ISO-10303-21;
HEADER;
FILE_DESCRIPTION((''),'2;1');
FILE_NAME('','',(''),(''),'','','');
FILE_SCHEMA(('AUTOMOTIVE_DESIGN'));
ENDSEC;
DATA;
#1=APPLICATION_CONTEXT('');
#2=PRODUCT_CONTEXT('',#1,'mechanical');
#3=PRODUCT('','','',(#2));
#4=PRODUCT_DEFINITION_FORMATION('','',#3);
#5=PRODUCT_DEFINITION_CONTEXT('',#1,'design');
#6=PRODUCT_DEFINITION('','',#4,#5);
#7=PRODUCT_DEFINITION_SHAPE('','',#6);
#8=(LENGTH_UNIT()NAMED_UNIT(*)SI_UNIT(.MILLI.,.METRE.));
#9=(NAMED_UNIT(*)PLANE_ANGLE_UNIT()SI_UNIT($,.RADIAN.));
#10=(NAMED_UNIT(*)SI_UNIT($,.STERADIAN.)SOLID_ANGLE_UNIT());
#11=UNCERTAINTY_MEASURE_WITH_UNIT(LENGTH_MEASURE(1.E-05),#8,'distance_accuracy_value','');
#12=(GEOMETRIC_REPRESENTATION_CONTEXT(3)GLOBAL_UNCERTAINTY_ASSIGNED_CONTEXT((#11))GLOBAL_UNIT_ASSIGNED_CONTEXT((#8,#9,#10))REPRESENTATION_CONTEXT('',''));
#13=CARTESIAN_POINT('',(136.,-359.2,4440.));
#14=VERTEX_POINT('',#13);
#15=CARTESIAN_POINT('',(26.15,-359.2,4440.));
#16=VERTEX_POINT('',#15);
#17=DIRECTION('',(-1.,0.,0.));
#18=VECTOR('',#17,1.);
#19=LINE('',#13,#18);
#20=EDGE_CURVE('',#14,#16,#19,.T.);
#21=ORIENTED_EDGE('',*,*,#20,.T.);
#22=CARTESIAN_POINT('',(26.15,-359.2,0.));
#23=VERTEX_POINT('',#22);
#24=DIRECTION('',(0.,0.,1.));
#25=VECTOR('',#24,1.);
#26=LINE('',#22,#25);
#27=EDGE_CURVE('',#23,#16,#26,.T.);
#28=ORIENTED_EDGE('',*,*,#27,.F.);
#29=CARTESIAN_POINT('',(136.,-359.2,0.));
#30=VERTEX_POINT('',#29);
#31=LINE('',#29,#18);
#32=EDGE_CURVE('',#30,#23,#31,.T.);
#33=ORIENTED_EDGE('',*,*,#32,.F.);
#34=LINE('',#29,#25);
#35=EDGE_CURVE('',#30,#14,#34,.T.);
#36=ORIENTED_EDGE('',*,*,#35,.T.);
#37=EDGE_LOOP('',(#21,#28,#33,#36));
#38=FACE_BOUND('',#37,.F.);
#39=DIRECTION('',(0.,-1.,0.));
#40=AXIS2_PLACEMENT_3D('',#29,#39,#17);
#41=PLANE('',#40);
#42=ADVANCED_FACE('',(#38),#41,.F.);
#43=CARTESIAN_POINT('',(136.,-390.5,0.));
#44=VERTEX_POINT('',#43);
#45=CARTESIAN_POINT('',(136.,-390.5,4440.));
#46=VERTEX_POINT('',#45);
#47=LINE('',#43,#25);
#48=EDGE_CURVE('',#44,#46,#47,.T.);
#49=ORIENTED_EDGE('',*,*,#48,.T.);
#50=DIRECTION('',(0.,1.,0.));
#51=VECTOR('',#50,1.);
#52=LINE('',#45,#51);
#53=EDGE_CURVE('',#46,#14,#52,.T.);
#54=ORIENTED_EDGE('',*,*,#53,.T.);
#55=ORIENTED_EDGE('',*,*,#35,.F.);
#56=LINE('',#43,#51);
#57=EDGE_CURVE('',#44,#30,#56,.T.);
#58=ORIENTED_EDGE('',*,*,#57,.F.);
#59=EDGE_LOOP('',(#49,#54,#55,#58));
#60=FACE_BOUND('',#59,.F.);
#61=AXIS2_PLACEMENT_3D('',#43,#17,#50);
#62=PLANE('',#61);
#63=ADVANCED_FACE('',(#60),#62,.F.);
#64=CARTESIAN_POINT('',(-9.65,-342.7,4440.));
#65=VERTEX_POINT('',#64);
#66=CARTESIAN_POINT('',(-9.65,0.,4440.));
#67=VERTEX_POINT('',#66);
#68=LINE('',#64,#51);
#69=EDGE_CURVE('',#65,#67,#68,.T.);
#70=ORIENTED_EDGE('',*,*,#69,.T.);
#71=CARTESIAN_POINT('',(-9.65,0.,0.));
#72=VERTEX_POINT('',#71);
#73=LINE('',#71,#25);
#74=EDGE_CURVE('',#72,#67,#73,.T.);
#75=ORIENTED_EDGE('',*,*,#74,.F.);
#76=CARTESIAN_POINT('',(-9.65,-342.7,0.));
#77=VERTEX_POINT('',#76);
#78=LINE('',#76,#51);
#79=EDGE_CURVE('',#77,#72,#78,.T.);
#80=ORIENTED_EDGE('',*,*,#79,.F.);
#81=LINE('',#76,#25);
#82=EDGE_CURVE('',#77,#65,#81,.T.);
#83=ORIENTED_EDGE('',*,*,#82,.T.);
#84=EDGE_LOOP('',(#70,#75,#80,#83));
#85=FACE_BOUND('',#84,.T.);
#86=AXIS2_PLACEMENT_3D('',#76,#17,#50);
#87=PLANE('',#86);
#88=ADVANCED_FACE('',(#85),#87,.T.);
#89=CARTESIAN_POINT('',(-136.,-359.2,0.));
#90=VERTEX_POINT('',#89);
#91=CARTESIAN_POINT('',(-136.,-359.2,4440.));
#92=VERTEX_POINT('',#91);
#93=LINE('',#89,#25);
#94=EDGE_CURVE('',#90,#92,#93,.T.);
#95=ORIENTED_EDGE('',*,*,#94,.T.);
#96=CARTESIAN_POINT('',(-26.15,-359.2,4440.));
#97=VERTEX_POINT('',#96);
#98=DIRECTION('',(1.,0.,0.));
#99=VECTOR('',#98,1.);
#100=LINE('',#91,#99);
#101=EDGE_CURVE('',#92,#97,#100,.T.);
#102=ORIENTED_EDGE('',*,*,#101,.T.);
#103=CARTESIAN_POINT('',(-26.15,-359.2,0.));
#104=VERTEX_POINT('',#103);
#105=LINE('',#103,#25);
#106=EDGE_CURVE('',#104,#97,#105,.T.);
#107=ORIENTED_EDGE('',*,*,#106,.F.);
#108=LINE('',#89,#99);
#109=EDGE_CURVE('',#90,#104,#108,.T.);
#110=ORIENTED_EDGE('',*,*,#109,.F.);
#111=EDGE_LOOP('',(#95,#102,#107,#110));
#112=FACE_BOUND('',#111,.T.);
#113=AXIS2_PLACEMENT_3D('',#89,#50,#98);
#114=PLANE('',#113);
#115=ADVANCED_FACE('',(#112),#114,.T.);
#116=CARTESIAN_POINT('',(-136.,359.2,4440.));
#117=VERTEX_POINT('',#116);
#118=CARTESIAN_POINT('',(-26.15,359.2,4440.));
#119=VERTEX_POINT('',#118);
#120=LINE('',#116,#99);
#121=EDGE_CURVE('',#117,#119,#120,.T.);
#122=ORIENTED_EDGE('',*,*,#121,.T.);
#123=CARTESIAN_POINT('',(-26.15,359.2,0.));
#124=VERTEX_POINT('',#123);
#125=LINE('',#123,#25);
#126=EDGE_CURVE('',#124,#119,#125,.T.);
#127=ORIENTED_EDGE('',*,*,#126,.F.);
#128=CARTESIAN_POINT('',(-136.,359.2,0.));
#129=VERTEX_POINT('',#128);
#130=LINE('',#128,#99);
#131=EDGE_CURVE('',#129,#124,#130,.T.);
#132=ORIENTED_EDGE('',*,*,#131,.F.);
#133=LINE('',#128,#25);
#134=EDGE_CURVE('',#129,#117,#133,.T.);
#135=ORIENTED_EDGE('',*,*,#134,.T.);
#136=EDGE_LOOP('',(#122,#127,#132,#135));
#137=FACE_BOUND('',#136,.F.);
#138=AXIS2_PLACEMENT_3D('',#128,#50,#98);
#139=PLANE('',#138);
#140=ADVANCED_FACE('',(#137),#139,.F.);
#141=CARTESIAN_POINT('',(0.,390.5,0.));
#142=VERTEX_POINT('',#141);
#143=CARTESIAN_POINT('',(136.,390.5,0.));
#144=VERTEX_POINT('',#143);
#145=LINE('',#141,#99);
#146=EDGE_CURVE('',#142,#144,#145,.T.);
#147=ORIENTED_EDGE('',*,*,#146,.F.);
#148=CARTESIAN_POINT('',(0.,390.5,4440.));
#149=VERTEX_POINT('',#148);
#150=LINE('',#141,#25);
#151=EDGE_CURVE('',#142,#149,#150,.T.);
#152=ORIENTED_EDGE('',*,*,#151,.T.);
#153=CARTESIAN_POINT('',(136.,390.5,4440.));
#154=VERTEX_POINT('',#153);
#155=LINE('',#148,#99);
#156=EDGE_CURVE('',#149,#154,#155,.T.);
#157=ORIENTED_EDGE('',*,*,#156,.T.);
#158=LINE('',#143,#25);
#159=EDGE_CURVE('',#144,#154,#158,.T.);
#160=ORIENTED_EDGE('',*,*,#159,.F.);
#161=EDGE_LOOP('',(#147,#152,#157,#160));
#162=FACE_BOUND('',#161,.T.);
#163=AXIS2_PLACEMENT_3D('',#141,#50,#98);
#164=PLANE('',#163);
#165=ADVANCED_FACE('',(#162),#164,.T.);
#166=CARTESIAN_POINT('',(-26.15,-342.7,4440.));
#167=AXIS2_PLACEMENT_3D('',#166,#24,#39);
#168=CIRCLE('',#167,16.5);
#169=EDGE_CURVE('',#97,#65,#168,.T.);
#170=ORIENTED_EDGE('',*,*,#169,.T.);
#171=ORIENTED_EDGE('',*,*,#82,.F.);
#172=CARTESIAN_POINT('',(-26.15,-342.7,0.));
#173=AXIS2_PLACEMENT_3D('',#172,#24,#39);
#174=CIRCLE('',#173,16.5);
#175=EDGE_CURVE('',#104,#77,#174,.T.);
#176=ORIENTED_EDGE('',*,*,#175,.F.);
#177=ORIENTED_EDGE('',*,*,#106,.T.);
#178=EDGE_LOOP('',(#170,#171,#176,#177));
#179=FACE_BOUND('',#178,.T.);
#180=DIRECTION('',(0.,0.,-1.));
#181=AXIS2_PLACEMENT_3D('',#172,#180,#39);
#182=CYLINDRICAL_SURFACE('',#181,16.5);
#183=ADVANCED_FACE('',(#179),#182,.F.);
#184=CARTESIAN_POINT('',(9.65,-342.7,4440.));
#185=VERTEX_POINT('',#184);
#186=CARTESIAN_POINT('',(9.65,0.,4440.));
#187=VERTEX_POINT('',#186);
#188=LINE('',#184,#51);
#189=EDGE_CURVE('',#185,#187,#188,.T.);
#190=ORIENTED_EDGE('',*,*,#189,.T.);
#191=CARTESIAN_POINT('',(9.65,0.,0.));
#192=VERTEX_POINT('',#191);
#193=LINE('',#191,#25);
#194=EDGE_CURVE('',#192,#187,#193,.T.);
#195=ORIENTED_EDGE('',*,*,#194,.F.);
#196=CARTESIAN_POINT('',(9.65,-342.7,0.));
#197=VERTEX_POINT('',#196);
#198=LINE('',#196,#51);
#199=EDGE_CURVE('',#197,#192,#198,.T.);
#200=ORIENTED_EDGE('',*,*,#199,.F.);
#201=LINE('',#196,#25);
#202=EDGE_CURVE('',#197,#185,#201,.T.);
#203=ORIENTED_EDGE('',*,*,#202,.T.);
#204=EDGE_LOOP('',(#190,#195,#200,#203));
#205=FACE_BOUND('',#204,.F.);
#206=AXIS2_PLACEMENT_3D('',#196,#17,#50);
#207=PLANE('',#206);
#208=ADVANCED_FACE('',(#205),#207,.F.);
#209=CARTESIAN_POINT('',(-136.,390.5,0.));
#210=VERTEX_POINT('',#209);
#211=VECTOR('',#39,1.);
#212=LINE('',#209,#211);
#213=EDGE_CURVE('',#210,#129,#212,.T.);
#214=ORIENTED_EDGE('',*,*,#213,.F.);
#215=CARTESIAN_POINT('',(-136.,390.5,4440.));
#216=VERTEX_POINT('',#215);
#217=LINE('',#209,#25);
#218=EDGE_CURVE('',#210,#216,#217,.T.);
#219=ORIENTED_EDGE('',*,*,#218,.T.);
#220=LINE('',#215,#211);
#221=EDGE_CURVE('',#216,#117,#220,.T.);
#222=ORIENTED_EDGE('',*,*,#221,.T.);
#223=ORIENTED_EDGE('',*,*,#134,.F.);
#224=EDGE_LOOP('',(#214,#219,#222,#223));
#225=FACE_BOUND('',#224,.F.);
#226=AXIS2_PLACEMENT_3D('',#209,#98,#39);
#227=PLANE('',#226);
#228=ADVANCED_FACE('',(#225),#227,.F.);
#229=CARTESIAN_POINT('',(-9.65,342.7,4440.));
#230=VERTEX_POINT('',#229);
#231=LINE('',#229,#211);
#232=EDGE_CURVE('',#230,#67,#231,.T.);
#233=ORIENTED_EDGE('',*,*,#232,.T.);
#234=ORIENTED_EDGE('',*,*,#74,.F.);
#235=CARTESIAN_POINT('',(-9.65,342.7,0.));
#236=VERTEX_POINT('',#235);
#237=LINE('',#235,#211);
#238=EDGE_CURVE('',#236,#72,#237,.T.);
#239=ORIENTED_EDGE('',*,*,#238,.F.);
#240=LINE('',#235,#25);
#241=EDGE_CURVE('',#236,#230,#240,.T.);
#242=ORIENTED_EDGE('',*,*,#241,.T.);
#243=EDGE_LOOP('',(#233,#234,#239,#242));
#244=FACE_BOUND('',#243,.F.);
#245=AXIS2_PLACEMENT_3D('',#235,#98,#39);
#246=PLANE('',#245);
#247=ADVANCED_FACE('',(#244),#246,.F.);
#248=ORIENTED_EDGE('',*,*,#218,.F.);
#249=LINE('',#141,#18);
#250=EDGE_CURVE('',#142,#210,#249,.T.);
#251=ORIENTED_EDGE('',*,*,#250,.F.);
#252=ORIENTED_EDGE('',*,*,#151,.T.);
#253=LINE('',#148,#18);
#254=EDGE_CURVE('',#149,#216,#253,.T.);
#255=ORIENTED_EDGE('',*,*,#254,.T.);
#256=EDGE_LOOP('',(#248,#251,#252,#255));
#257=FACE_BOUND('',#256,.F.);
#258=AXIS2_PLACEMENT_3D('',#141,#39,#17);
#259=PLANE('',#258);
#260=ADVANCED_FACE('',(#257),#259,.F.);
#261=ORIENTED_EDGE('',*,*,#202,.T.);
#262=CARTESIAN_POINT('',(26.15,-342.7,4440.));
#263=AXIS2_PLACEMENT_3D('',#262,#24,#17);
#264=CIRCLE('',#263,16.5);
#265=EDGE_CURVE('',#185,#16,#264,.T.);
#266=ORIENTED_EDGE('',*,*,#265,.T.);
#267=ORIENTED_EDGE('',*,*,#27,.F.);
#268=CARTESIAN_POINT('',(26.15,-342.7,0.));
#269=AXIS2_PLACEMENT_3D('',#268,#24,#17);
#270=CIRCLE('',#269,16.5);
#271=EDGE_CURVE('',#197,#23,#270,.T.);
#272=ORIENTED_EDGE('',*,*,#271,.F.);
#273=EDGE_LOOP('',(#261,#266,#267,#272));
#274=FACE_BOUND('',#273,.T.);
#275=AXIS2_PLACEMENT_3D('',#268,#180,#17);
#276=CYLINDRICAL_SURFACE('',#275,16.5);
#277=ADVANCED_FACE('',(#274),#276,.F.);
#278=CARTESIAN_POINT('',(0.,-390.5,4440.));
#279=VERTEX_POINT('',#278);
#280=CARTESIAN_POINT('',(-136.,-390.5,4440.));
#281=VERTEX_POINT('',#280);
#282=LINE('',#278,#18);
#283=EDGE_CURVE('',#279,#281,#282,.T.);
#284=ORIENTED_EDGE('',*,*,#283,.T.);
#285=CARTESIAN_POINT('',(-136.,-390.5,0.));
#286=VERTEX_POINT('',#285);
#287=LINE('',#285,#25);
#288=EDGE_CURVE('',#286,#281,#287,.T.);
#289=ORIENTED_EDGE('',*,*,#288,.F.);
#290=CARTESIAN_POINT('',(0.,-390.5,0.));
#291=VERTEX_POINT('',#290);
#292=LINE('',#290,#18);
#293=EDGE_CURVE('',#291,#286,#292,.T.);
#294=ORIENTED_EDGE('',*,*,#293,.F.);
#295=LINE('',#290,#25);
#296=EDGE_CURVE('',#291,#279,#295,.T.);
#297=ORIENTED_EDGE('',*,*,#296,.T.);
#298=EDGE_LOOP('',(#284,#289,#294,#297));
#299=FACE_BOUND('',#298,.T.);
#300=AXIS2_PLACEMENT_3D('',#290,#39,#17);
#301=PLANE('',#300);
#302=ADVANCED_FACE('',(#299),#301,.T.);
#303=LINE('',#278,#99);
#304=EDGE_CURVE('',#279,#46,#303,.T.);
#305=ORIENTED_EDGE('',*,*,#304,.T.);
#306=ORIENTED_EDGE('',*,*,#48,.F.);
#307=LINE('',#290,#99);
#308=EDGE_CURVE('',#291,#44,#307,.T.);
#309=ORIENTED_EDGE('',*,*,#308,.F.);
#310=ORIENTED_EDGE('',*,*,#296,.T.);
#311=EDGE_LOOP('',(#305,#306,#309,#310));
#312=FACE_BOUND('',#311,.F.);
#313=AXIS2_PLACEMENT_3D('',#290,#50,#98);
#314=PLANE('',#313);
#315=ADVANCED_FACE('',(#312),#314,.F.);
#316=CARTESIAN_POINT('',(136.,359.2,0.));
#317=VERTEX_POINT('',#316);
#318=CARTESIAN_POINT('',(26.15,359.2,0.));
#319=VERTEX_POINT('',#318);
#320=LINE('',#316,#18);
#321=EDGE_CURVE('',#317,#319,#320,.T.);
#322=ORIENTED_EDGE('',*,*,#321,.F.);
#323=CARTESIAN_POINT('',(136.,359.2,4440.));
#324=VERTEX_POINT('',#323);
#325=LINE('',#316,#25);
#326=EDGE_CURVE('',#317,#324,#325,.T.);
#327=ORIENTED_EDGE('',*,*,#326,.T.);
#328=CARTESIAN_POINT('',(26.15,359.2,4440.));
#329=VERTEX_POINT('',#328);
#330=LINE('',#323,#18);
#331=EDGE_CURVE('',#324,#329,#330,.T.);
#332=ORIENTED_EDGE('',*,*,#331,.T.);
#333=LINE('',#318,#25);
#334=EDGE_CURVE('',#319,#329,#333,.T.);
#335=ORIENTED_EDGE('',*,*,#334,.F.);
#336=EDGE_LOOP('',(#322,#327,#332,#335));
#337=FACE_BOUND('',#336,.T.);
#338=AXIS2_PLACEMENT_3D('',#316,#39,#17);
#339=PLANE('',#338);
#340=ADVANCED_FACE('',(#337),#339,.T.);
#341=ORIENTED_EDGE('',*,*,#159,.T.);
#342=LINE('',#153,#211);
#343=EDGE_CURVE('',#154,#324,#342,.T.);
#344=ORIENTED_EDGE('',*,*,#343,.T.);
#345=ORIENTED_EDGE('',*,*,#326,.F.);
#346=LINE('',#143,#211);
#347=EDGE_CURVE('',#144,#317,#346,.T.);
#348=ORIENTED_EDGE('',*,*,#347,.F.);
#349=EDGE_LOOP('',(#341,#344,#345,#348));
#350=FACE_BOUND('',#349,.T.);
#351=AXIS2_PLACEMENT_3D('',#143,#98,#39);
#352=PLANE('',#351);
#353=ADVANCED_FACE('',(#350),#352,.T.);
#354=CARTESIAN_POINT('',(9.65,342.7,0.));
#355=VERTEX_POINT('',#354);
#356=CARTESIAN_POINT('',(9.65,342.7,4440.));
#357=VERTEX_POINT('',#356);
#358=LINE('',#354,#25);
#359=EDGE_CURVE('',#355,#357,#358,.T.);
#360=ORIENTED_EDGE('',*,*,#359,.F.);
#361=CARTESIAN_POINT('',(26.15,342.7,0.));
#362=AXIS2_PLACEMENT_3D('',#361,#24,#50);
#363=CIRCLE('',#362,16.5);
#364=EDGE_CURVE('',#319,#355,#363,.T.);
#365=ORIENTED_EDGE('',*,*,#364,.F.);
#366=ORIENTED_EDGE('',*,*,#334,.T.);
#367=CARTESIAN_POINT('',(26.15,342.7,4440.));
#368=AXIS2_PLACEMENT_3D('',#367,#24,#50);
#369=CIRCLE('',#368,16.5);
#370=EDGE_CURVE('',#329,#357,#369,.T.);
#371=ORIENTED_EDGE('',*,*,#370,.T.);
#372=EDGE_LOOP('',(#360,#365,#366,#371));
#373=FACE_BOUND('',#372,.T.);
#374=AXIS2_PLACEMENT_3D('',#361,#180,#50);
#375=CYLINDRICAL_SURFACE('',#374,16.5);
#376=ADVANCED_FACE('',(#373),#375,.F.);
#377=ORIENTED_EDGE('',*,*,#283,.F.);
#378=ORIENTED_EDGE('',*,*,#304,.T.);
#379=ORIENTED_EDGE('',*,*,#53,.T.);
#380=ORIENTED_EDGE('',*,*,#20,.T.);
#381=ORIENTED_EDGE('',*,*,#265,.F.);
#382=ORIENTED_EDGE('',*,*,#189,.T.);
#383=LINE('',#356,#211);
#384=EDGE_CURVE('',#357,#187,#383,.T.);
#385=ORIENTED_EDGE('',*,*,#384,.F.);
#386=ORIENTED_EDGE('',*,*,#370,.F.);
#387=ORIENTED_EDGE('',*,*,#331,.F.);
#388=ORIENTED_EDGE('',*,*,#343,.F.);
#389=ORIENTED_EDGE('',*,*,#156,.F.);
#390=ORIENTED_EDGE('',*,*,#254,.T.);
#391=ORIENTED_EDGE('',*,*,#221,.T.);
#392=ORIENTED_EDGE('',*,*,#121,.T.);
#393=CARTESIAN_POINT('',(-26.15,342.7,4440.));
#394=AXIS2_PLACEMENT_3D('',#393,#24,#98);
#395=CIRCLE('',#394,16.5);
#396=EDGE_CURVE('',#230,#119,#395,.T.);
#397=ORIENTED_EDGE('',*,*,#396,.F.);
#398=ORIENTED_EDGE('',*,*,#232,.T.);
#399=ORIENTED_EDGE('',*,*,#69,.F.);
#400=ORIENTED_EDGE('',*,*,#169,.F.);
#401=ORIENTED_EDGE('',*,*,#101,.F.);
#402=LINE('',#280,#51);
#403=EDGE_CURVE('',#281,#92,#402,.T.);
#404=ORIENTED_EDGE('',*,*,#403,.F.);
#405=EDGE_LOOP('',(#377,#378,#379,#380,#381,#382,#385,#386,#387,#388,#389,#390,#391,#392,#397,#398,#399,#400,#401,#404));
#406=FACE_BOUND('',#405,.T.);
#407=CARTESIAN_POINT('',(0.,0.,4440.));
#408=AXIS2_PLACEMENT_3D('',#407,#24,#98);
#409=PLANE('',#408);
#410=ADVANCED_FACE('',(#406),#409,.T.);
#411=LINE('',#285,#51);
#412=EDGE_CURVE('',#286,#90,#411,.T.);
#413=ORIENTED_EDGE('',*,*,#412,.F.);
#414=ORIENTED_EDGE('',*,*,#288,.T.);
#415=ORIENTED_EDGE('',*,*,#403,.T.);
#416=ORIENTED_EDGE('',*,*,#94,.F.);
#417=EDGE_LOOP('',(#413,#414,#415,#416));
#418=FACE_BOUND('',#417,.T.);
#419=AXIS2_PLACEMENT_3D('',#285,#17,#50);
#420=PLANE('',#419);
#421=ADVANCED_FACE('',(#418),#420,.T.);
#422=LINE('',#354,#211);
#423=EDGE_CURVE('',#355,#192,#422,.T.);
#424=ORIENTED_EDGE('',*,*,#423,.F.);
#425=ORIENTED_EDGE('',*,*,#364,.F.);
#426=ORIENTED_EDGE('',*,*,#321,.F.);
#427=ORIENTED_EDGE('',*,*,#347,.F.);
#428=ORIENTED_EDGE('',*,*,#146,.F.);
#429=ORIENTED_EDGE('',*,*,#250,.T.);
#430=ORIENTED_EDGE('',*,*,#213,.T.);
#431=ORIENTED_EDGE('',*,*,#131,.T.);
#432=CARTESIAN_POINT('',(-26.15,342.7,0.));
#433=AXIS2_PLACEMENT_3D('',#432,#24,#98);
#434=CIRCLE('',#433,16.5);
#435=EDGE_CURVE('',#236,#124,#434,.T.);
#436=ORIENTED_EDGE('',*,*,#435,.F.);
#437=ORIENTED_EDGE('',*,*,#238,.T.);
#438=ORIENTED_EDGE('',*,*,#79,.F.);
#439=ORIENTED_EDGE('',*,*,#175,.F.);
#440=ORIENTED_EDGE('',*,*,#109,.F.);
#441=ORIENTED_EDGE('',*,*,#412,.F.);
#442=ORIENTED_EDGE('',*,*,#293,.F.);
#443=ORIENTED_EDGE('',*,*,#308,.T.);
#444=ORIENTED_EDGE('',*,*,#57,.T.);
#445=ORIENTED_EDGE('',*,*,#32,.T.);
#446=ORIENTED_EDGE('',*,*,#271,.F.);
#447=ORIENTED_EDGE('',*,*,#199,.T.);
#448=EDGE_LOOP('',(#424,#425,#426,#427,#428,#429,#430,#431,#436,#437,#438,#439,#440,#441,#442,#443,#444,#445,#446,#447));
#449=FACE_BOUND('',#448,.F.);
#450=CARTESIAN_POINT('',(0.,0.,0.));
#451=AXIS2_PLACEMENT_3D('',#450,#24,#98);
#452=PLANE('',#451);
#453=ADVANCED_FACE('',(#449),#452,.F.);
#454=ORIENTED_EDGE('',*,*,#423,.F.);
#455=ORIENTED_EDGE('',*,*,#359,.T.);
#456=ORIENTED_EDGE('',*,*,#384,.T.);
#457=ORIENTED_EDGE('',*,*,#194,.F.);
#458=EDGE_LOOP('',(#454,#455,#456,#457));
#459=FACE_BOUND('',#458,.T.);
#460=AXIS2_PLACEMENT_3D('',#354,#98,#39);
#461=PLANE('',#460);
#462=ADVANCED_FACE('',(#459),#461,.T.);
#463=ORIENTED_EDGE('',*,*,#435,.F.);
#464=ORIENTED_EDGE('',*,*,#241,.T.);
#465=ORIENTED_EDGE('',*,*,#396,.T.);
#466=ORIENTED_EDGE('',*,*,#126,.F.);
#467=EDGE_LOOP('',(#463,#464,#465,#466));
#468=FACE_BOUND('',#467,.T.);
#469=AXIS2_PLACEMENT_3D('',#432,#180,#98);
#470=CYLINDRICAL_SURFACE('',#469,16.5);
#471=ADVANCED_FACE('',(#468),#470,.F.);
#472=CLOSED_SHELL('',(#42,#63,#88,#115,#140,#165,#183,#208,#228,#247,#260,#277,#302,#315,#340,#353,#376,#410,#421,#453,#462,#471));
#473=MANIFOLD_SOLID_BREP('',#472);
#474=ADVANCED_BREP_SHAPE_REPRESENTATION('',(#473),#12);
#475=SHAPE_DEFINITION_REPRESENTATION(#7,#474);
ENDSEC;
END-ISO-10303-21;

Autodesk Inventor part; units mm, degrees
ref_plane "YZ Plane" through (0, 0, 0) normal (1, 0, 0) x (0, 1, 0)
ref_plane "Start plane" through (0, 0, 0) normal (0, 0, 1) x (1, 0, 0)
ref_plane "End plane" through (0, 0, 4440) normal (0, 0, 1) x (1, 0, 0)
sketch "Sketch" plane through (0, 0, 0) normal (0, 0, 1) x (1, 0, 0)
  line L0 (-136, -390.5) -> (-136, -359.2)
  line L1 (-136, -359.2) -> (-26.15, -359.2)
  line L2 (-9.65, -342.7) -> (-9.65, 0)
  line L3 (-9.65, 0) -> (0, 0) construction
  line L4 (0, 0) -> (0, -390.5) construction
  line L5 (0, -390.5) -> (-136, -390.5)
  line L6 (-60, 0) -> (80, 0) construction
  line L7 (0, -60) -> (0, 80) construction
  line L8 (136, -390.5) -> (136, -359.2)
  line L9 (136, -359.2) -> (26.15, -359.2)
  line L10 (9.65, -342.7) -> (9.65, 0)
  line L11 (9.65, 0) -> (0, 0) construction
  line L12 (0, -390.5) -> (136, -390.5)
  line L13 (-136, 390.5) -> (-136, 359.2)
  line L14 (-136, 359.2) -> (-26.15, 359.2)
  line L15 (-9.65, 342.7) -> (-9.65, 0)
  line L16 (0, 390.5) -> (-136, 390.5)
  line L17 (136, 390.5) -> (136, 359.2)
  line L18 (136, 359.2) -> (26.15, 359.2)
  line L19 (0, 390.5) -> (136, 390.5)
  line L20 (9.65, 342.7) -> (9.65, 0)
  arc A0 (-9.65, 342.7) -> (-26.15, 359.2) centre (-26.15, 342.7) ccw
  arc A1 (26.15, 359.2) -> (9.65, 342.7) centre (26.15, 342.7) ccw
  arc A2 (9.65, -342.7) -> (26.15, -359.2) centre (26.15, -342.7) ccw
  arc A3 (-26.15, -359.2) -> (-9.65, -342.7) centre (-26.15, -342.7) ccw
  line L21 (0, 108) -> (0, -88) construction
  line L22 (-88, 0) -> (108, 0) construction
  point P0 (-9.65, -359.2)
  point P1 (9.65, -359.2)
  point P2 (-9.65, 359.2)
  point P3 (9.65, 359.2)
  dimension "d1" = 390.5
  dimension "d2" = 31.3
  dimension "d3" = 136
  dimension "d4" = 9.65
  dimension "d10" = 16.5
extrude "Body" add sketch "Sketch" along normal up to surface (4440 mm away) from surface at 0
sketch "Sketch4" plane through (0, 0, 0) normal (0, 0, 1) x (1, 0, 0)
  line L0 (0, 0) -> (10, 0)
ref_plane "Work Plane3" through (0, 0, 0) normal (0, -1, 0) x (1, 0, 0)
sketch "Sketch5" plane through (0, 0, 0) normal (0, -1, 0) x (1, 0, 0)
  line L0 (-2, 0) -> (12, 0) projected
  line L1 (-2, 4440) -> (12, 4440) projected
  dimension "d14" = 4440
equation "\"d1\" = 0.5 * G_H"
equation "\"d2\" = G_T1"
equation "\"d3\" = 0.5 * G_W"
equation "\"d4\" = 0.5 * G_T"
equation "\"d10\" = G_IR"
equation "\"d5\" = G_L"
equation "\"G_W\" = 272"
equation "\"G_H\" = 781"
equation "\"G_T\" = 19.3"
equation "\"G_T1\" = 31.3"
equation "\"G_IR\" = 16.5"
equation "\"G_L\" = d14"
equation "\"G_OFFSET_START\" = 0"
equation "\"G_OFFSET_END\" = 0"
properties part number "AS 3679-1990 - 760 UB - 244 - 4440" material "Steel, Mild"
